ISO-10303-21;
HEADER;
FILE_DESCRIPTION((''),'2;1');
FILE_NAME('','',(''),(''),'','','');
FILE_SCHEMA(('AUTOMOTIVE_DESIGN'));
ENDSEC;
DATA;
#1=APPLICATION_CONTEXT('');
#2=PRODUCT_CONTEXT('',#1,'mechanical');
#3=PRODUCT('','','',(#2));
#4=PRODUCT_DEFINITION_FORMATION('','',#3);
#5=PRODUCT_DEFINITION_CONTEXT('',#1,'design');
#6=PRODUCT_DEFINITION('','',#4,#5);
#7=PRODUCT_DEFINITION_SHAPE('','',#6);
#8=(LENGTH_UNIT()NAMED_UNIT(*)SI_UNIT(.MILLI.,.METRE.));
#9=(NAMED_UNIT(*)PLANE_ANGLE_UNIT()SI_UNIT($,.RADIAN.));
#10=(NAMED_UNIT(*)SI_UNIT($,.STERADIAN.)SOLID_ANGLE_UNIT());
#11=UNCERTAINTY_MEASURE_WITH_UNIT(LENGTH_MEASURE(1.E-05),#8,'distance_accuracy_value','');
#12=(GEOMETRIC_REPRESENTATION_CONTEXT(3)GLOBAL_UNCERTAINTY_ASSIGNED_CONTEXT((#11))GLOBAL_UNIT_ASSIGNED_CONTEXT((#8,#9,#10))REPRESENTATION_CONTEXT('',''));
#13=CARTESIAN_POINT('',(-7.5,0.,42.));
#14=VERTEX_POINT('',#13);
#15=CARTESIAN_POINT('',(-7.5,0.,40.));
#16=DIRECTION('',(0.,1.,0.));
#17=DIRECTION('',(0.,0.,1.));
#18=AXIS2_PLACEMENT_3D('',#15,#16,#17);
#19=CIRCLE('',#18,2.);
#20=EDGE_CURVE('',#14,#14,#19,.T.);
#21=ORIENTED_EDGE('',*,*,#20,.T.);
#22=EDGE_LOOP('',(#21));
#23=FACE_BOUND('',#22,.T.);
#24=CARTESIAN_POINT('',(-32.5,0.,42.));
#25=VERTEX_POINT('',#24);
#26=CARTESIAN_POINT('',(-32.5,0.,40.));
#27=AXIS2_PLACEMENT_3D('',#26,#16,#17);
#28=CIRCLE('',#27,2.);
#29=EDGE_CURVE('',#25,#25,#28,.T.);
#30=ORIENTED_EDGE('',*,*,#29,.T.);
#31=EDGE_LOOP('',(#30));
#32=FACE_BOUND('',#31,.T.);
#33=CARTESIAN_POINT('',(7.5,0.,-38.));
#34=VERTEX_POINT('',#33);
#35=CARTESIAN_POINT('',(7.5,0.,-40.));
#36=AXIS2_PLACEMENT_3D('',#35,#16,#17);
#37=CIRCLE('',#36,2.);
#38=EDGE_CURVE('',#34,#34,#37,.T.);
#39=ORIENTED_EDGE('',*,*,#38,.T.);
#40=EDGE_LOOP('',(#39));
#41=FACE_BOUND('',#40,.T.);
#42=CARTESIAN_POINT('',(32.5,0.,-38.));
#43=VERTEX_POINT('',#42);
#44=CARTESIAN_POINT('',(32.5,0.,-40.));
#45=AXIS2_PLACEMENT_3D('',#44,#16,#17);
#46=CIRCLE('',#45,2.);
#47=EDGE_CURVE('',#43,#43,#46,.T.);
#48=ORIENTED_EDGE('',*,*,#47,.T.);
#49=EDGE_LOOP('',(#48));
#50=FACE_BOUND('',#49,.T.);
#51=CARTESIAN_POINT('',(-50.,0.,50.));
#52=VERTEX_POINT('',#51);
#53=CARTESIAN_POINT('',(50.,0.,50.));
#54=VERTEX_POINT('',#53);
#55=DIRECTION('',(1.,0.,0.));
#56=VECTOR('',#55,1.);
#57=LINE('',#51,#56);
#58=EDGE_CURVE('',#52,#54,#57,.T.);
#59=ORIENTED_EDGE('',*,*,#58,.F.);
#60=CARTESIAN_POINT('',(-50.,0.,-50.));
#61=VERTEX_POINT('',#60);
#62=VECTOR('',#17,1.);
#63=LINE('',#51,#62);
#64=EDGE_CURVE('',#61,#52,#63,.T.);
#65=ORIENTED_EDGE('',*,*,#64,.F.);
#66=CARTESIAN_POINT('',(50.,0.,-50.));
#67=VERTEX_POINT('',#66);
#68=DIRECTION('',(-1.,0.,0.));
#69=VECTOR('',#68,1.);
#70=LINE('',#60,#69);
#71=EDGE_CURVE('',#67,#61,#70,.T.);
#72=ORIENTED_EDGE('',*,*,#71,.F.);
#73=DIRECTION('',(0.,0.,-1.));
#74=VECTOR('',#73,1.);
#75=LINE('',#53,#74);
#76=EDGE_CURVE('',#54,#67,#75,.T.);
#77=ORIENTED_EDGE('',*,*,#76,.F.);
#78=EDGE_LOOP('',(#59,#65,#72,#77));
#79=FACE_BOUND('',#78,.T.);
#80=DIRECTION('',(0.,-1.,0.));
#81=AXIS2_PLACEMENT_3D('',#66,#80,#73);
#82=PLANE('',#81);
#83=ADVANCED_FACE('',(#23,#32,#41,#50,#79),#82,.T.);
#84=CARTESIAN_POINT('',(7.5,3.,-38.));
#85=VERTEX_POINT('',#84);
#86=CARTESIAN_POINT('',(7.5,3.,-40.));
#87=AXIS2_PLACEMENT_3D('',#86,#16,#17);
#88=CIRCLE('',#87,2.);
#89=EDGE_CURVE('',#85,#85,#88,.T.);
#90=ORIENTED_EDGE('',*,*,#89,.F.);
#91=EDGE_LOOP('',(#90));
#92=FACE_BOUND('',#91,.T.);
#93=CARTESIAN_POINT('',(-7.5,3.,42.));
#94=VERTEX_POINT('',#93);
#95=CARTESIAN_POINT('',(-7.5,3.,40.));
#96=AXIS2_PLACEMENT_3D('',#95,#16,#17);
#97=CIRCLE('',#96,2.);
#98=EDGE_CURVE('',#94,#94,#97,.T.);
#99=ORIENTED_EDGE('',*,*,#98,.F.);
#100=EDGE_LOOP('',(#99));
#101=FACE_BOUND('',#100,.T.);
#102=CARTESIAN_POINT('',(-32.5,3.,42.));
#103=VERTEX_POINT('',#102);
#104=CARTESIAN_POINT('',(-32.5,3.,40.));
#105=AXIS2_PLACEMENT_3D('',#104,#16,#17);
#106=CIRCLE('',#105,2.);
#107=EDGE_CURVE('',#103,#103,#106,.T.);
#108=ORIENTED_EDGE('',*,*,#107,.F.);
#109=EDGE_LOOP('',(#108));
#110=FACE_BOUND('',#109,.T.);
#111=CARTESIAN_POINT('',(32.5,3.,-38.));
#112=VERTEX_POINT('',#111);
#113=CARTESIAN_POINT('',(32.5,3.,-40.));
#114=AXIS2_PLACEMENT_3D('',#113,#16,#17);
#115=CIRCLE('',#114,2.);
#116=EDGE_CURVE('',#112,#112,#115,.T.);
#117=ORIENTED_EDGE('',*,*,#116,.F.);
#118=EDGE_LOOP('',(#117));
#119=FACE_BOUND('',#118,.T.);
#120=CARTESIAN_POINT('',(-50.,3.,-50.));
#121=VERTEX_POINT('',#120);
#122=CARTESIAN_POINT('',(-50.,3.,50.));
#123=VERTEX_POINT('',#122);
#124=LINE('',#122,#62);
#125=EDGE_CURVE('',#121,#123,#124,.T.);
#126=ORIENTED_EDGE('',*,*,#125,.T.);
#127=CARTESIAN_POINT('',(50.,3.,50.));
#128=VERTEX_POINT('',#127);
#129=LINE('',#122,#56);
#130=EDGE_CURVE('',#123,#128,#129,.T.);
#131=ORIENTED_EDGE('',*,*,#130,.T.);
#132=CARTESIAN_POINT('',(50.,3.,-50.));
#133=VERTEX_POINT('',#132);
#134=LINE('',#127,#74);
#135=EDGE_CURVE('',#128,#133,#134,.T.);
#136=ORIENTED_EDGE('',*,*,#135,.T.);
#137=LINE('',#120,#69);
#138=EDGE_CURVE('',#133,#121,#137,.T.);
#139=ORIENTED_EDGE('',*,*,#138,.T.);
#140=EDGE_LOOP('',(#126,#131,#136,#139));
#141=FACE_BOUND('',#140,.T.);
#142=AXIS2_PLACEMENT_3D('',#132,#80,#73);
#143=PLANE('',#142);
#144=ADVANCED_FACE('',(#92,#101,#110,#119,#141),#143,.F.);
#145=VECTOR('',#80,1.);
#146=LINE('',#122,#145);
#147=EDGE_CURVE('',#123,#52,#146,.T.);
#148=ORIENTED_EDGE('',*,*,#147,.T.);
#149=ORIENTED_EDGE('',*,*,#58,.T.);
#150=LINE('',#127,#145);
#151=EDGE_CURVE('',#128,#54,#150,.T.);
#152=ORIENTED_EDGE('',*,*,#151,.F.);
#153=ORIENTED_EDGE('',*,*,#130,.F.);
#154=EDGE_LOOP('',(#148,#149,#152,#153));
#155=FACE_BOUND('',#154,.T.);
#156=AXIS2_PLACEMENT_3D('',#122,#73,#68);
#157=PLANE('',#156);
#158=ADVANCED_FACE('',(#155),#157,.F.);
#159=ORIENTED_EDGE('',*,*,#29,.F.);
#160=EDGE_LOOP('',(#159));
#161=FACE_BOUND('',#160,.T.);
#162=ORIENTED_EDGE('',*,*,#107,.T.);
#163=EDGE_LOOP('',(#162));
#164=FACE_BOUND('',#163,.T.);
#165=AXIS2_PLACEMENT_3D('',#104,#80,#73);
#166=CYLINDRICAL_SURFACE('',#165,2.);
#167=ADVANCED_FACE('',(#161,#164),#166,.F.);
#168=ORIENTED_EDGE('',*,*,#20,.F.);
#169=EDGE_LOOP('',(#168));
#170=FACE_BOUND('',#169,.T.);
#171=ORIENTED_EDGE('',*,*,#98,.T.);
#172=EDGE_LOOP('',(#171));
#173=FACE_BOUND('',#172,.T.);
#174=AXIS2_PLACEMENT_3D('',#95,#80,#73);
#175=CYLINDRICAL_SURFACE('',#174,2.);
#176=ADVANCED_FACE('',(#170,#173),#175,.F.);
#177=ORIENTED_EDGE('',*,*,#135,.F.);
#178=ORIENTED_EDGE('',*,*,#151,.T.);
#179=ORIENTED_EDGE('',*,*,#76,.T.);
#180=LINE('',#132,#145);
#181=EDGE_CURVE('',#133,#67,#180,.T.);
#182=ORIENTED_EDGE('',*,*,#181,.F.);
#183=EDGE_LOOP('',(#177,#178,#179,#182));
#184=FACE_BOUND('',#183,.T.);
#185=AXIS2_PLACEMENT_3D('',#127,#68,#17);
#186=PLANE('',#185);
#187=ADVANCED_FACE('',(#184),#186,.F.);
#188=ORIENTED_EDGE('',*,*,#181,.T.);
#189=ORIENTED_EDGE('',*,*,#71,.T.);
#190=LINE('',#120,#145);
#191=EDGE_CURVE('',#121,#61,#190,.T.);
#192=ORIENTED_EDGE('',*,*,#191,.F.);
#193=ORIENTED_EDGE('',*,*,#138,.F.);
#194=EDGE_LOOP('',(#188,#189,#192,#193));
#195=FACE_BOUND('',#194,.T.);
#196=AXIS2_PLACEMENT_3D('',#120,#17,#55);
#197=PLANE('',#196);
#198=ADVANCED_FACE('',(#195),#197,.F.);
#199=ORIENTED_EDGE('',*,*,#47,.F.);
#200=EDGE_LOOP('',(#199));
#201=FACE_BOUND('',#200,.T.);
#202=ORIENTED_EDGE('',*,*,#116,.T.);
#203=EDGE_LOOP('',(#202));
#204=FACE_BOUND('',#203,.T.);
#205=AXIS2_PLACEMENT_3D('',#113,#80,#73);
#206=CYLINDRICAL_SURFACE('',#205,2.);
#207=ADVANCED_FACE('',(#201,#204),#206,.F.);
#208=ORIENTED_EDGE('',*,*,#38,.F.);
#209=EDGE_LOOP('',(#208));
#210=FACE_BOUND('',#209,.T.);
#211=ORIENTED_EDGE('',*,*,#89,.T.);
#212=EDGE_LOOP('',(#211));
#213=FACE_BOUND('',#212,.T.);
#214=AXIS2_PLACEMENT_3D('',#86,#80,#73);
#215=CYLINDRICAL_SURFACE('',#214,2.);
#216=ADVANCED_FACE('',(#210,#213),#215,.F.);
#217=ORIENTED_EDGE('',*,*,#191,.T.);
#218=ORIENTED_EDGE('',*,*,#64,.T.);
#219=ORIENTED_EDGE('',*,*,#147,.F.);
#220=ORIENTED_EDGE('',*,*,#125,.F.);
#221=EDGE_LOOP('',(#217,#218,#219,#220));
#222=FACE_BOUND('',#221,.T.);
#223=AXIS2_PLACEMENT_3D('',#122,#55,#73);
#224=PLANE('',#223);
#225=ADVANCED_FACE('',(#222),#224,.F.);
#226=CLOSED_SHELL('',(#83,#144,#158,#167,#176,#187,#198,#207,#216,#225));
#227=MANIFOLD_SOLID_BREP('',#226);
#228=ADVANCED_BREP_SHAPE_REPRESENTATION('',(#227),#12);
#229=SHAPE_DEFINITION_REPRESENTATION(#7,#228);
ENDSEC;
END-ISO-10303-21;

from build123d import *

# Parameters (mm, degrees)
ESQUISSE1_W        = 100
ESQUISSE1_H        = 100
ESQUISSE1_R        = 2
BOSS_EXTRU_1_DEPTH = 3


with BuildPart() as part:
    # Esquisse1 → Boss.-Extru.1 (new body)
    with BuildSketch(Plane(origin=(0, 0, 0), x_dir=(1, 0, 0), z_dir=(0, 1, 0))):
        Rectangle(ESQUISSE1_W, ESQUISSE1_H)
        with Locations((-32.5, -40)):
            Circle(ESQUISSE1_R, mode=Mode.SUBTRACT)
        with Locations((-7.5, -40)):
            Circle(ESQUISSE1_R, mode=Mode.SUBTRACT)
        with Locations((7.5, 40)):
            Circle(ESQUISSE1_R, mode=Mode.SUBTRACT)
        with Locations((32.5, 40)):
            Circle(ESQUISSE1_R, mode=Mode.SUBTRACT)
    extrude(amount=BOSS_EXTRU_1_DEPTH)


solid = part.part
